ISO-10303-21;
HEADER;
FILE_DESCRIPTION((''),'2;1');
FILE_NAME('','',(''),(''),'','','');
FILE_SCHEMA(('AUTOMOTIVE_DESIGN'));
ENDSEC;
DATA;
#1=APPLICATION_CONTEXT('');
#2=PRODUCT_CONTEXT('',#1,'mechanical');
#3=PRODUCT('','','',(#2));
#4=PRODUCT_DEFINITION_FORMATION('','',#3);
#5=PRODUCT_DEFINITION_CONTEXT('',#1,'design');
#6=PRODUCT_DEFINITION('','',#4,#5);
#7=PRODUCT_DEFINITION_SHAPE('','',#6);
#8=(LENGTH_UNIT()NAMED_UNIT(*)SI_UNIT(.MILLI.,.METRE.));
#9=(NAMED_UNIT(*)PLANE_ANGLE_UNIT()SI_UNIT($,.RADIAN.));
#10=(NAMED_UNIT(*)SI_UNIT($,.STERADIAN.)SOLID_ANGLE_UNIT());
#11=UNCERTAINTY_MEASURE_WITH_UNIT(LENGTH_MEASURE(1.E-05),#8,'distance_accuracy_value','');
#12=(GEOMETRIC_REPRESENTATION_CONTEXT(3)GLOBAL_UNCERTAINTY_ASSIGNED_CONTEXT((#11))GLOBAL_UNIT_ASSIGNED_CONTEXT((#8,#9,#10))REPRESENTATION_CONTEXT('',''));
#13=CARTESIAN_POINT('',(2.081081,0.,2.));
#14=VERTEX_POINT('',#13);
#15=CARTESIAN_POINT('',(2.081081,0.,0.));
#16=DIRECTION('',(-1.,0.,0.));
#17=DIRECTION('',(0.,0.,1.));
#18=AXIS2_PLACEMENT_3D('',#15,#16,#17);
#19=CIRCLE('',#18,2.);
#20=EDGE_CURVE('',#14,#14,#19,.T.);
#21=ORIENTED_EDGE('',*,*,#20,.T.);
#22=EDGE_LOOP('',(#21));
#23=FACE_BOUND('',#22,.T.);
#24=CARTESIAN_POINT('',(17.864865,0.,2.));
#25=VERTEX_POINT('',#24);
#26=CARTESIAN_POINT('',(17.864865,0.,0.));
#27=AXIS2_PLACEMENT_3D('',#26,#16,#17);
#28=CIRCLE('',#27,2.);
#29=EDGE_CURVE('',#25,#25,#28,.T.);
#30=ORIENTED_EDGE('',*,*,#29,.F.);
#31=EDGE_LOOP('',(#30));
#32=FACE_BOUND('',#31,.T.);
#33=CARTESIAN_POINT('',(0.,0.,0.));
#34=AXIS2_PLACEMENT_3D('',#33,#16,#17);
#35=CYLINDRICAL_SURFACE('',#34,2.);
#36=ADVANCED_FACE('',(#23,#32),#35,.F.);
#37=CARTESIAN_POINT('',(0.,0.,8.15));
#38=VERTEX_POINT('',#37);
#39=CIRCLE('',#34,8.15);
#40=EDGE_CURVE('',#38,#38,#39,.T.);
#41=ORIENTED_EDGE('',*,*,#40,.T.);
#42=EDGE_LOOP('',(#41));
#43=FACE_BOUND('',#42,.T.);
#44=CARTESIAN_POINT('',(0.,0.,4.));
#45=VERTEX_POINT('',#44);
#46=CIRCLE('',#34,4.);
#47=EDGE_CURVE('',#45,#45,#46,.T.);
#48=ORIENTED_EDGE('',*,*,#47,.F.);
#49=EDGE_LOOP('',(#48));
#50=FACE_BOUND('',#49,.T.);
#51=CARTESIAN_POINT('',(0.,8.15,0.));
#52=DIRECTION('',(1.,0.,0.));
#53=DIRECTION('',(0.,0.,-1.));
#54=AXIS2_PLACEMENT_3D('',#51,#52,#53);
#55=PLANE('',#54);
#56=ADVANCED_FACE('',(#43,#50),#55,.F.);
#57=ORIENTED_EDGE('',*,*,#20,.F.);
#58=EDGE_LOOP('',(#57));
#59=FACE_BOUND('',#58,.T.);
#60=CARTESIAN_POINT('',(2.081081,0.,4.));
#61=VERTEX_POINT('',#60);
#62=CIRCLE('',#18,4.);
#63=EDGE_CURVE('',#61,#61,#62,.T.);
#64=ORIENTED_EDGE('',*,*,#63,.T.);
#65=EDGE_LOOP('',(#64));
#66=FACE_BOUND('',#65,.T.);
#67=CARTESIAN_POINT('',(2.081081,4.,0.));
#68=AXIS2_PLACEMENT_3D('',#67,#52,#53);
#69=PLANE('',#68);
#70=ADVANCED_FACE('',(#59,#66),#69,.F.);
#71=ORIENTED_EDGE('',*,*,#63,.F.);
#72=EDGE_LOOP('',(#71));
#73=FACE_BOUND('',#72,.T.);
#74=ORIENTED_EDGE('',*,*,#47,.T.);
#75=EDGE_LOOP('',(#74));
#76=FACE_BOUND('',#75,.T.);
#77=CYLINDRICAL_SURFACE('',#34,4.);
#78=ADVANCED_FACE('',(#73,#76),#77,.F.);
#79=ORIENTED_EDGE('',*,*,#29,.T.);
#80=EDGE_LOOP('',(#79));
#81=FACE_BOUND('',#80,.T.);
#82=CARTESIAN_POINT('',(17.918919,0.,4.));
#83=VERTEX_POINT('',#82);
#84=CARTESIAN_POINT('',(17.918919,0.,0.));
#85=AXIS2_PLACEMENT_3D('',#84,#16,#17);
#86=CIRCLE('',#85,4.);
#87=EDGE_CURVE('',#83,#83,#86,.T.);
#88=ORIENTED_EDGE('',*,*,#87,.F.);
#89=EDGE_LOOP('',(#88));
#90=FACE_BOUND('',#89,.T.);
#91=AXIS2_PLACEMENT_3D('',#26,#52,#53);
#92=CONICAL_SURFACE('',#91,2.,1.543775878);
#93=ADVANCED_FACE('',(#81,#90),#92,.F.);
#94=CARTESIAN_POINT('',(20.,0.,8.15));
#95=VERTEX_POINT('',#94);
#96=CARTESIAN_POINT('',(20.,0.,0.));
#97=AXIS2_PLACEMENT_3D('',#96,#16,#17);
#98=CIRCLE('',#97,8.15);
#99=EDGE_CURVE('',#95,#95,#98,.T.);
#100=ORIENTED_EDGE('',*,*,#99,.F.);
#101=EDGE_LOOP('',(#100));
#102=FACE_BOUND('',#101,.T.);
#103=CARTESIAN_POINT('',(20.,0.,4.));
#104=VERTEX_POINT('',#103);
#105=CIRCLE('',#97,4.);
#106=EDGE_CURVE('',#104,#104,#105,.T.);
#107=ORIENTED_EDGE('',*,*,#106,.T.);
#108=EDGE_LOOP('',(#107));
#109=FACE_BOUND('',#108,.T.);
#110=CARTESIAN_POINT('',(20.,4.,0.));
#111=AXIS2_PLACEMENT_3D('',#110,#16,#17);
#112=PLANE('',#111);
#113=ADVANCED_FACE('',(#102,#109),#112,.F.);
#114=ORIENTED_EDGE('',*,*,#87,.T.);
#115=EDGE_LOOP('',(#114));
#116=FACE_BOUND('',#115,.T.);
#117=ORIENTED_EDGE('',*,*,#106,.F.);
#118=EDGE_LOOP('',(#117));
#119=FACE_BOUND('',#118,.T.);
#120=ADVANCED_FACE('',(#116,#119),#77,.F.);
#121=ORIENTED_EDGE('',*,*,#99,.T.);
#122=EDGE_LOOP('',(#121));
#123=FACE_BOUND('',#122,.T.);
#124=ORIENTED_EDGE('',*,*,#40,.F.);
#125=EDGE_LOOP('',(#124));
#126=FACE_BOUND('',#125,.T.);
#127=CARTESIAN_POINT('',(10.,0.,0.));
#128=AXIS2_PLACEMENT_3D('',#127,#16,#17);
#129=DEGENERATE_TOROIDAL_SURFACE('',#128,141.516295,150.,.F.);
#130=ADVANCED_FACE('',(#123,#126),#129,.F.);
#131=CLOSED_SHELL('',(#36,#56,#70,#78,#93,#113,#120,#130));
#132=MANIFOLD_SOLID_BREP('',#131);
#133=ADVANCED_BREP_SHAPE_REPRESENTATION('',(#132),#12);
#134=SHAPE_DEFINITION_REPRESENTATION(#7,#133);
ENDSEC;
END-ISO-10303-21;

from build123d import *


with BuildPart() as part:
    # Sketch1 → Revolve1 (revolve)
    with BuildSketch(Plane.XY):
        with BuildLine():
            Line((0, 8.15), (0, 4))
            Line((0, 4), (2.081081081, 4))
            Line((2.081081081, 4), (2.081081081, 2))
            Line((2.081081081, 2), (17.864864865, 2))
            Line((17.864864865, 2), (17.918918919, 4))
            Line((17.918918919, 4), (20, 4))
            Line((20, 4), (20, 8.15))
            ThreePointArc((20, 8.15), (10, 8.483704529), (0, 8.15))
        make_face()
    revolve(axis=Axis((0, 0, 0), (1, 0, 0)))


solid = part.part
